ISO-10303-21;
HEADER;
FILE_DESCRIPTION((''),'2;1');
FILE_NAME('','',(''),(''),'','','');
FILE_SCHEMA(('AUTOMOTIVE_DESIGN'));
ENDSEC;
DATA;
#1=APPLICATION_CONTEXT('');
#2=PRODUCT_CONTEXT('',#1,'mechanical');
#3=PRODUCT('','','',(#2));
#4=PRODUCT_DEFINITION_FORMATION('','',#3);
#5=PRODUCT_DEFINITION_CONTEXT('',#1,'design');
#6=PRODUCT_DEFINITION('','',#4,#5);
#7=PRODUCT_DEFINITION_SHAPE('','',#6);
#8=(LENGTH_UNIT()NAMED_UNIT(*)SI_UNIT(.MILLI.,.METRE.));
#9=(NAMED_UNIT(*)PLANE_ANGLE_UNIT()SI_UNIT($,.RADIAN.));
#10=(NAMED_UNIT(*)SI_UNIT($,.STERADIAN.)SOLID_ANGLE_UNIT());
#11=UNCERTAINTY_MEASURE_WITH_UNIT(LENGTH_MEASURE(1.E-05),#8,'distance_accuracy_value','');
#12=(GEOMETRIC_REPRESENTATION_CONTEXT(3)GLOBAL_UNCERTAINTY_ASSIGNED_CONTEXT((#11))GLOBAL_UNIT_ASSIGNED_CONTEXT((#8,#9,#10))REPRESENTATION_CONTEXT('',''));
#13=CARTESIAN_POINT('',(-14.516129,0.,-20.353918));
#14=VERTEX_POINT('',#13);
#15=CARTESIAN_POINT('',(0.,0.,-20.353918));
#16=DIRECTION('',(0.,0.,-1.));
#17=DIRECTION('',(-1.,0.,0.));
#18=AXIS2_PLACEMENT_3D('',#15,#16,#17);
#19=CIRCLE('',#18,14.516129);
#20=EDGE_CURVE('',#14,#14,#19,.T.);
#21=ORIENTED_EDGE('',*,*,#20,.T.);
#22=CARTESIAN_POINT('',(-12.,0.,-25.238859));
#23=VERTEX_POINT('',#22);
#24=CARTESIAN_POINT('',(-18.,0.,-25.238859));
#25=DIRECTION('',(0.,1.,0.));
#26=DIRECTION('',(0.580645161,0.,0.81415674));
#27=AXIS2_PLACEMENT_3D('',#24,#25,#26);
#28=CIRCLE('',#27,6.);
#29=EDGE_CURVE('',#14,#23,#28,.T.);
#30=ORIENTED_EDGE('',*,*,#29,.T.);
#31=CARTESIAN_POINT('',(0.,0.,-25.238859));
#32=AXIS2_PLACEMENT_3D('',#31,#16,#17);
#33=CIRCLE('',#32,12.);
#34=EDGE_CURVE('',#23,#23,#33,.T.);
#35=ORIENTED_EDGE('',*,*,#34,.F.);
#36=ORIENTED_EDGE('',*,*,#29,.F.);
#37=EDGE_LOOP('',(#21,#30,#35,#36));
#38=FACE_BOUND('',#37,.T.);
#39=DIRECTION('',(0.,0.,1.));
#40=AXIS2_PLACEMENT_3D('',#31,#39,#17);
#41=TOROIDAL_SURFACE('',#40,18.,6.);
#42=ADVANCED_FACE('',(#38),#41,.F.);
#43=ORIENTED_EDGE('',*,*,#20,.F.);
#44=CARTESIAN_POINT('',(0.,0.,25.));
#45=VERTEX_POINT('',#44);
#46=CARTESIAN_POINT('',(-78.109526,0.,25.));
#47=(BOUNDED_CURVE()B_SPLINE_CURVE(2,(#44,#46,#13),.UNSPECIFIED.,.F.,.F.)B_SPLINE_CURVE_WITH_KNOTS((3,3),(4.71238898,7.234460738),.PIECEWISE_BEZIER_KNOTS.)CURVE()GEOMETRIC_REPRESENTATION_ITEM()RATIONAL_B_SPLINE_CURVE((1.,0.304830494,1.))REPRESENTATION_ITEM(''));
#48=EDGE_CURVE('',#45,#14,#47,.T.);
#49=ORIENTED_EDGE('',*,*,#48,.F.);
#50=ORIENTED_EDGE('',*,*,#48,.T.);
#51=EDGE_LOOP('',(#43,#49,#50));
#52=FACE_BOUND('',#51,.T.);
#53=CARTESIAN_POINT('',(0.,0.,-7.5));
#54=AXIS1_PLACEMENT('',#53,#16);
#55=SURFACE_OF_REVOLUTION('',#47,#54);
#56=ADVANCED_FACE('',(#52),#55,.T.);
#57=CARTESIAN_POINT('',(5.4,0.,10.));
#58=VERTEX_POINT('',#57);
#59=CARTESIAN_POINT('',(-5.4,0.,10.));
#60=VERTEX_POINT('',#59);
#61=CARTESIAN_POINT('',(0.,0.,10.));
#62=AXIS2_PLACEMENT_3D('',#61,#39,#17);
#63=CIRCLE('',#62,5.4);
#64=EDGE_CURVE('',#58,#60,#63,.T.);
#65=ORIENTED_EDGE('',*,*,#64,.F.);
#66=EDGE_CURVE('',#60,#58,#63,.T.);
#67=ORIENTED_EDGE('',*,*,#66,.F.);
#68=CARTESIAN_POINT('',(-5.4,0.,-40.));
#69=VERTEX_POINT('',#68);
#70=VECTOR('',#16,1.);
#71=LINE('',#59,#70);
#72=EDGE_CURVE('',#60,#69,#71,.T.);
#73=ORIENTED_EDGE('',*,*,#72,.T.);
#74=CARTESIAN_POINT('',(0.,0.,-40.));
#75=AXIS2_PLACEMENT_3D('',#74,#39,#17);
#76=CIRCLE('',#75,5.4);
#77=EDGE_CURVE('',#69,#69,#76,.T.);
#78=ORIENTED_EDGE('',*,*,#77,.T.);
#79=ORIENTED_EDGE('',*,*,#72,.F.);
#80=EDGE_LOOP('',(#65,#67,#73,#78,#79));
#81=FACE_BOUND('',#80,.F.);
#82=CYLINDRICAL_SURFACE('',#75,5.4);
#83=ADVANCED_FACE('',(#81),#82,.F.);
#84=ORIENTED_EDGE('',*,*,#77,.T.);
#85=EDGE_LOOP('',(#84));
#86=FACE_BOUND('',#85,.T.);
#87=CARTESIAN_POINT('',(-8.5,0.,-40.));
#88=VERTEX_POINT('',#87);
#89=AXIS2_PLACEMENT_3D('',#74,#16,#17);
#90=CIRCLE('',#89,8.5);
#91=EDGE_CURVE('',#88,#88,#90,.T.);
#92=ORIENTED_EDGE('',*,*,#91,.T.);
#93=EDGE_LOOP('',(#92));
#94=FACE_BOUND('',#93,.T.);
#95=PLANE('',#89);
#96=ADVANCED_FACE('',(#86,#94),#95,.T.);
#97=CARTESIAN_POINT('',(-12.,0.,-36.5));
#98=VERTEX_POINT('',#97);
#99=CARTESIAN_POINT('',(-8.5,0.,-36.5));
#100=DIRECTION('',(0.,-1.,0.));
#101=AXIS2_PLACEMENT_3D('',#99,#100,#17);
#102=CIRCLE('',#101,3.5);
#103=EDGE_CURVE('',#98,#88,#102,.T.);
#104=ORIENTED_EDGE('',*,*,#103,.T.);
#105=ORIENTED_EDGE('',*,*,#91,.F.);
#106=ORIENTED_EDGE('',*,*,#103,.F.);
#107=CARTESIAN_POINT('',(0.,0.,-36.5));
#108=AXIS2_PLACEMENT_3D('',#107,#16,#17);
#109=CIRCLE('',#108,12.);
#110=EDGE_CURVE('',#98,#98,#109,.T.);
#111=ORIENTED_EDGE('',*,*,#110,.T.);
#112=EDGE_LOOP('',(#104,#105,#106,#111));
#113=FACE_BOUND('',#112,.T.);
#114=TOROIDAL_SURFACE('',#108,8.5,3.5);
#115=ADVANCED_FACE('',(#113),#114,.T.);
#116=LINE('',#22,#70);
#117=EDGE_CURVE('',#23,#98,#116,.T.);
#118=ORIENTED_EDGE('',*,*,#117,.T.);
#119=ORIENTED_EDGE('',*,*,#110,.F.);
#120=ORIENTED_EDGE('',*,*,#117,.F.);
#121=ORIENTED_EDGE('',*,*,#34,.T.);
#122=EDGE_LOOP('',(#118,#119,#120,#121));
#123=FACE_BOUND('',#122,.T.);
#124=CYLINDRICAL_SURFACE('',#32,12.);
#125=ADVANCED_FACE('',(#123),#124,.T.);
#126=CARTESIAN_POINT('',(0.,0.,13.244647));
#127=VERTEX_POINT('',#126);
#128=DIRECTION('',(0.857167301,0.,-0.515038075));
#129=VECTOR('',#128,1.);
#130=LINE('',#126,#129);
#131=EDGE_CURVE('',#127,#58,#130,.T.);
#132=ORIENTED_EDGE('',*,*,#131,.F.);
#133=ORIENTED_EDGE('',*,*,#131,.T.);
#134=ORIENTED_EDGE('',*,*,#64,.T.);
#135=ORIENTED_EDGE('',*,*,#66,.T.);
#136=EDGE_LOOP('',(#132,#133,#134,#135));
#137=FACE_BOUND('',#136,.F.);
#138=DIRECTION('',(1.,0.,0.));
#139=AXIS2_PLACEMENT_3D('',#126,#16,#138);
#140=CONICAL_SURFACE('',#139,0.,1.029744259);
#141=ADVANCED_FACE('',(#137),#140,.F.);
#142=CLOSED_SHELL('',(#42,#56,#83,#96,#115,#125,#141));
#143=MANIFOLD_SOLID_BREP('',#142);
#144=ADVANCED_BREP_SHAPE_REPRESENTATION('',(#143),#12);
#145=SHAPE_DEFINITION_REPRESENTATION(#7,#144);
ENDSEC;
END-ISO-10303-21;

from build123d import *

# Parameters (mm, degrees)
F3_D           = 10.8
F3_DEPTH       = 50
F3_CBORE_D     = 10.8
F3_CBORE_DEPTH = 10.8
F3_TIP         = 3.2446473427


with BuildPart() as f1:
    # F0 (on Front) → F1 (revolve)
    with BuildSketch(Plane.XZ):
        with BuildLine():
            Line((0, -40), (0, 25))
            add(Edge.make_bspline(
                [(0, 25), (-78.1095262892, 25), (-14.5161290323, -20.3539184905)],
                knots=[4.7123889804, 4.7123889804, 4.7123889804, 7.2344607382, 7.2344607382, 7.2344607382], degree=2, weights=[1, 0.3048304942, 1]))
            ThreePointArc((-14.5161290323, -20.3539184905), (-12.665994666, -22.4914261089), (-12, -25.2388589282))
            Line((-12, -25.2388589282), (-12, -36.5))
            ThreePointArc((-12, -36.5), (-10.9748737342, -38.9748737342), (-8.5, -40))
            Line((-8.5, -40), (0, -40))
        make_face()
    revolve(axis=Axis((0, 0, -7.5), (0, 0, -1)))

    # F3
    with Locations(Plane(origin=(0, 0, -40), x_dir=(1, 0, 0), z_dir=(0, 0, -1))):
        with Locations((0, 0)):
            CounterBoreHole(F3_D / 2, F3_CBORE_D / 2, F3_CBORE_DEPTH, depth=F3_DEPTH)
            with Locations((0, 0, -(F3_DEPTH + F3_TIP / 2))):  # 118° drill point
                Cone(0, F3_D / 2, F3_TIP, mode=Mode.SUBTRACT)


solid = f1.part
